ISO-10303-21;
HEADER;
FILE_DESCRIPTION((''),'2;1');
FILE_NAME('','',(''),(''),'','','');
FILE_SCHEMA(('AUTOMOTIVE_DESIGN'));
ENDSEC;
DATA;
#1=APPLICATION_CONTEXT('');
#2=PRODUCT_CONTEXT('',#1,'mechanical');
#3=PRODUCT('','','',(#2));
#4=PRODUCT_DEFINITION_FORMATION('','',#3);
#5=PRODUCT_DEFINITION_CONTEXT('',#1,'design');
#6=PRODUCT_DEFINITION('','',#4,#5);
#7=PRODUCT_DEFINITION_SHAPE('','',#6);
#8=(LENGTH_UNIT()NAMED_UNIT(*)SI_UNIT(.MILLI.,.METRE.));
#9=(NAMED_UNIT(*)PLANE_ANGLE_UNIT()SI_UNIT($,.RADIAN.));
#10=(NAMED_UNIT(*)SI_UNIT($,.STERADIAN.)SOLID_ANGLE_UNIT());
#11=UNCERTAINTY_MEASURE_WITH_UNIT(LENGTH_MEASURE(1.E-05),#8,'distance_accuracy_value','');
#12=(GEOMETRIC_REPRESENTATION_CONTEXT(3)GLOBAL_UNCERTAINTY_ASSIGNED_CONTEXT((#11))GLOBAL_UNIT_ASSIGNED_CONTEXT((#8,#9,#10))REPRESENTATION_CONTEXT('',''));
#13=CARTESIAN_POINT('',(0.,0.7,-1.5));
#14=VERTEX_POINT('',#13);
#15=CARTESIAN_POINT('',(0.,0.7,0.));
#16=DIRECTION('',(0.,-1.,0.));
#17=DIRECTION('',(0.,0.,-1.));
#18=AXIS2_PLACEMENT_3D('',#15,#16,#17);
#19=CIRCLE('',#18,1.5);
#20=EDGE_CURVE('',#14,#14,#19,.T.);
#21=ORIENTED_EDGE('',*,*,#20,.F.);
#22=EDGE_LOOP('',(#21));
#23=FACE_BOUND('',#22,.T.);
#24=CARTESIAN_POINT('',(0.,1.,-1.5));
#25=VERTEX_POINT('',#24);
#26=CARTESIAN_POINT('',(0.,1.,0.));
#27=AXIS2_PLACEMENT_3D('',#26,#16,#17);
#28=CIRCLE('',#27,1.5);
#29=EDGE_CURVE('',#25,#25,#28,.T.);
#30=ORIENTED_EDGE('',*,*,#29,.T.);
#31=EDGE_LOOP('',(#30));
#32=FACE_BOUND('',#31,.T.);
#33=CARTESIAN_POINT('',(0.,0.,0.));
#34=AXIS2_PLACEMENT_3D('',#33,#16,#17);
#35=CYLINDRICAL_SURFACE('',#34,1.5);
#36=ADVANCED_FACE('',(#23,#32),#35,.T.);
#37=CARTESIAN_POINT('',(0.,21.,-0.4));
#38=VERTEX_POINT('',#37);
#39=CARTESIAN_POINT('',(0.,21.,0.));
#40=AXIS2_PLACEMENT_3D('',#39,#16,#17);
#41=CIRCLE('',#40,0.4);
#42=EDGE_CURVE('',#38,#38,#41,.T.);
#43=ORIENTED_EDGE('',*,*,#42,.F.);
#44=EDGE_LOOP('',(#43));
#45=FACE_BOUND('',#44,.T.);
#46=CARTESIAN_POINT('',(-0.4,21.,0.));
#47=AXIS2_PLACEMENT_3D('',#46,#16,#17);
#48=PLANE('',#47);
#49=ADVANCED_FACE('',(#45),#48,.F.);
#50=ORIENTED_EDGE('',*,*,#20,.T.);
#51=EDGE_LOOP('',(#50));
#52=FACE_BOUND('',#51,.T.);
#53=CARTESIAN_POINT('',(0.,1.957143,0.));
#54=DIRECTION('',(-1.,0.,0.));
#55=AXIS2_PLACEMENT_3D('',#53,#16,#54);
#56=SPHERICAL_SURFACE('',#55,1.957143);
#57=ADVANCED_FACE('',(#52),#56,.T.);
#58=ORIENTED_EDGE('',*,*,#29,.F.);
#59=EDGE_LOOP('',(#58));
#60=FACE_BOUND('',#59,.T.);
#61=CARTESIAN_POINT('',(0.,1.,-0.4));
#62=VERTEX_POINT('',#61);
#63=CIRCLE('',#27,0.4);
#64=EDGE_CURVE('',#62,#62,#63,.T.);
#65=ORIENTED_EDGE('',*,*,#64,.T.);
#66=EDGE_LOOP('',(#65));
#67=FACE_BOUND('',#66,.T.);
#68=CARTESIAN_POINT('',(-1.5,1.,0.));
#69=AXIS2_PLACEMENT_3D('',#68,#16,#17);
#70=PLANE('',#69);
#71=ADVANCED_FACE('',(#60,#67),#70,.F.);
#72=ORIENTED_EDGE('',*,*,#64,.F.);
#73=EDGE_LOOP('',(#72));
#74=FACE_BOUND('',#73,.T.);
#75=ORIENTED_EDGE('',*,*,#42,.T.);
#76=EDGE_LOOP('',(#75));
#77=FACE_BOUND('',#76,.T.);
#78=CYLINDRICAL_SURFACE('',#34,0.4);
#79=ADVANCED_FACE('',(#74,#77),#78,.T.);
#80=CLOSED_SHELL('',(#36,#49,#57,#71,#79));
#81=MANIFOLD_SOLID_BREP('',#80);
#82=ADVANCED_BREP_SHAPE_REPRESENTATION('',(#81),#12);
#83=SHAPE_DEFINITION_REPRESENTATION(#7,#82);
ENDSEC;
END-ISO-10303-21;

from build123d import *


with BuildPart() as part:
    # Sketch1 → Revolve1 (revolve)
    with BuildSketch(Plane.XY, mode=Mode.PRIVATE) as revolve1_sk:
        with BuildLine():
            Line((-1.5, 0.7), (-1.5, 1))
            Line((-1.5, 1), (-0.4, 1))
            Line((-0.4, 1), (-0.4, 21))
            Line((-0.4, 21), (0, 21))
            Line((0, 21), (0, 0))
            ThreePointArc((0, 0), (-0.827647268, 0.183612997), (-1.5, 0.7))
        make_face()
    revolve(revolve1_sk.sketch.rotate(Axis((0, 0, 0), (0, 1, 0)), 270), axis=Axis((0, 0, 0), (0, 1, 0)))


solid = part.part
